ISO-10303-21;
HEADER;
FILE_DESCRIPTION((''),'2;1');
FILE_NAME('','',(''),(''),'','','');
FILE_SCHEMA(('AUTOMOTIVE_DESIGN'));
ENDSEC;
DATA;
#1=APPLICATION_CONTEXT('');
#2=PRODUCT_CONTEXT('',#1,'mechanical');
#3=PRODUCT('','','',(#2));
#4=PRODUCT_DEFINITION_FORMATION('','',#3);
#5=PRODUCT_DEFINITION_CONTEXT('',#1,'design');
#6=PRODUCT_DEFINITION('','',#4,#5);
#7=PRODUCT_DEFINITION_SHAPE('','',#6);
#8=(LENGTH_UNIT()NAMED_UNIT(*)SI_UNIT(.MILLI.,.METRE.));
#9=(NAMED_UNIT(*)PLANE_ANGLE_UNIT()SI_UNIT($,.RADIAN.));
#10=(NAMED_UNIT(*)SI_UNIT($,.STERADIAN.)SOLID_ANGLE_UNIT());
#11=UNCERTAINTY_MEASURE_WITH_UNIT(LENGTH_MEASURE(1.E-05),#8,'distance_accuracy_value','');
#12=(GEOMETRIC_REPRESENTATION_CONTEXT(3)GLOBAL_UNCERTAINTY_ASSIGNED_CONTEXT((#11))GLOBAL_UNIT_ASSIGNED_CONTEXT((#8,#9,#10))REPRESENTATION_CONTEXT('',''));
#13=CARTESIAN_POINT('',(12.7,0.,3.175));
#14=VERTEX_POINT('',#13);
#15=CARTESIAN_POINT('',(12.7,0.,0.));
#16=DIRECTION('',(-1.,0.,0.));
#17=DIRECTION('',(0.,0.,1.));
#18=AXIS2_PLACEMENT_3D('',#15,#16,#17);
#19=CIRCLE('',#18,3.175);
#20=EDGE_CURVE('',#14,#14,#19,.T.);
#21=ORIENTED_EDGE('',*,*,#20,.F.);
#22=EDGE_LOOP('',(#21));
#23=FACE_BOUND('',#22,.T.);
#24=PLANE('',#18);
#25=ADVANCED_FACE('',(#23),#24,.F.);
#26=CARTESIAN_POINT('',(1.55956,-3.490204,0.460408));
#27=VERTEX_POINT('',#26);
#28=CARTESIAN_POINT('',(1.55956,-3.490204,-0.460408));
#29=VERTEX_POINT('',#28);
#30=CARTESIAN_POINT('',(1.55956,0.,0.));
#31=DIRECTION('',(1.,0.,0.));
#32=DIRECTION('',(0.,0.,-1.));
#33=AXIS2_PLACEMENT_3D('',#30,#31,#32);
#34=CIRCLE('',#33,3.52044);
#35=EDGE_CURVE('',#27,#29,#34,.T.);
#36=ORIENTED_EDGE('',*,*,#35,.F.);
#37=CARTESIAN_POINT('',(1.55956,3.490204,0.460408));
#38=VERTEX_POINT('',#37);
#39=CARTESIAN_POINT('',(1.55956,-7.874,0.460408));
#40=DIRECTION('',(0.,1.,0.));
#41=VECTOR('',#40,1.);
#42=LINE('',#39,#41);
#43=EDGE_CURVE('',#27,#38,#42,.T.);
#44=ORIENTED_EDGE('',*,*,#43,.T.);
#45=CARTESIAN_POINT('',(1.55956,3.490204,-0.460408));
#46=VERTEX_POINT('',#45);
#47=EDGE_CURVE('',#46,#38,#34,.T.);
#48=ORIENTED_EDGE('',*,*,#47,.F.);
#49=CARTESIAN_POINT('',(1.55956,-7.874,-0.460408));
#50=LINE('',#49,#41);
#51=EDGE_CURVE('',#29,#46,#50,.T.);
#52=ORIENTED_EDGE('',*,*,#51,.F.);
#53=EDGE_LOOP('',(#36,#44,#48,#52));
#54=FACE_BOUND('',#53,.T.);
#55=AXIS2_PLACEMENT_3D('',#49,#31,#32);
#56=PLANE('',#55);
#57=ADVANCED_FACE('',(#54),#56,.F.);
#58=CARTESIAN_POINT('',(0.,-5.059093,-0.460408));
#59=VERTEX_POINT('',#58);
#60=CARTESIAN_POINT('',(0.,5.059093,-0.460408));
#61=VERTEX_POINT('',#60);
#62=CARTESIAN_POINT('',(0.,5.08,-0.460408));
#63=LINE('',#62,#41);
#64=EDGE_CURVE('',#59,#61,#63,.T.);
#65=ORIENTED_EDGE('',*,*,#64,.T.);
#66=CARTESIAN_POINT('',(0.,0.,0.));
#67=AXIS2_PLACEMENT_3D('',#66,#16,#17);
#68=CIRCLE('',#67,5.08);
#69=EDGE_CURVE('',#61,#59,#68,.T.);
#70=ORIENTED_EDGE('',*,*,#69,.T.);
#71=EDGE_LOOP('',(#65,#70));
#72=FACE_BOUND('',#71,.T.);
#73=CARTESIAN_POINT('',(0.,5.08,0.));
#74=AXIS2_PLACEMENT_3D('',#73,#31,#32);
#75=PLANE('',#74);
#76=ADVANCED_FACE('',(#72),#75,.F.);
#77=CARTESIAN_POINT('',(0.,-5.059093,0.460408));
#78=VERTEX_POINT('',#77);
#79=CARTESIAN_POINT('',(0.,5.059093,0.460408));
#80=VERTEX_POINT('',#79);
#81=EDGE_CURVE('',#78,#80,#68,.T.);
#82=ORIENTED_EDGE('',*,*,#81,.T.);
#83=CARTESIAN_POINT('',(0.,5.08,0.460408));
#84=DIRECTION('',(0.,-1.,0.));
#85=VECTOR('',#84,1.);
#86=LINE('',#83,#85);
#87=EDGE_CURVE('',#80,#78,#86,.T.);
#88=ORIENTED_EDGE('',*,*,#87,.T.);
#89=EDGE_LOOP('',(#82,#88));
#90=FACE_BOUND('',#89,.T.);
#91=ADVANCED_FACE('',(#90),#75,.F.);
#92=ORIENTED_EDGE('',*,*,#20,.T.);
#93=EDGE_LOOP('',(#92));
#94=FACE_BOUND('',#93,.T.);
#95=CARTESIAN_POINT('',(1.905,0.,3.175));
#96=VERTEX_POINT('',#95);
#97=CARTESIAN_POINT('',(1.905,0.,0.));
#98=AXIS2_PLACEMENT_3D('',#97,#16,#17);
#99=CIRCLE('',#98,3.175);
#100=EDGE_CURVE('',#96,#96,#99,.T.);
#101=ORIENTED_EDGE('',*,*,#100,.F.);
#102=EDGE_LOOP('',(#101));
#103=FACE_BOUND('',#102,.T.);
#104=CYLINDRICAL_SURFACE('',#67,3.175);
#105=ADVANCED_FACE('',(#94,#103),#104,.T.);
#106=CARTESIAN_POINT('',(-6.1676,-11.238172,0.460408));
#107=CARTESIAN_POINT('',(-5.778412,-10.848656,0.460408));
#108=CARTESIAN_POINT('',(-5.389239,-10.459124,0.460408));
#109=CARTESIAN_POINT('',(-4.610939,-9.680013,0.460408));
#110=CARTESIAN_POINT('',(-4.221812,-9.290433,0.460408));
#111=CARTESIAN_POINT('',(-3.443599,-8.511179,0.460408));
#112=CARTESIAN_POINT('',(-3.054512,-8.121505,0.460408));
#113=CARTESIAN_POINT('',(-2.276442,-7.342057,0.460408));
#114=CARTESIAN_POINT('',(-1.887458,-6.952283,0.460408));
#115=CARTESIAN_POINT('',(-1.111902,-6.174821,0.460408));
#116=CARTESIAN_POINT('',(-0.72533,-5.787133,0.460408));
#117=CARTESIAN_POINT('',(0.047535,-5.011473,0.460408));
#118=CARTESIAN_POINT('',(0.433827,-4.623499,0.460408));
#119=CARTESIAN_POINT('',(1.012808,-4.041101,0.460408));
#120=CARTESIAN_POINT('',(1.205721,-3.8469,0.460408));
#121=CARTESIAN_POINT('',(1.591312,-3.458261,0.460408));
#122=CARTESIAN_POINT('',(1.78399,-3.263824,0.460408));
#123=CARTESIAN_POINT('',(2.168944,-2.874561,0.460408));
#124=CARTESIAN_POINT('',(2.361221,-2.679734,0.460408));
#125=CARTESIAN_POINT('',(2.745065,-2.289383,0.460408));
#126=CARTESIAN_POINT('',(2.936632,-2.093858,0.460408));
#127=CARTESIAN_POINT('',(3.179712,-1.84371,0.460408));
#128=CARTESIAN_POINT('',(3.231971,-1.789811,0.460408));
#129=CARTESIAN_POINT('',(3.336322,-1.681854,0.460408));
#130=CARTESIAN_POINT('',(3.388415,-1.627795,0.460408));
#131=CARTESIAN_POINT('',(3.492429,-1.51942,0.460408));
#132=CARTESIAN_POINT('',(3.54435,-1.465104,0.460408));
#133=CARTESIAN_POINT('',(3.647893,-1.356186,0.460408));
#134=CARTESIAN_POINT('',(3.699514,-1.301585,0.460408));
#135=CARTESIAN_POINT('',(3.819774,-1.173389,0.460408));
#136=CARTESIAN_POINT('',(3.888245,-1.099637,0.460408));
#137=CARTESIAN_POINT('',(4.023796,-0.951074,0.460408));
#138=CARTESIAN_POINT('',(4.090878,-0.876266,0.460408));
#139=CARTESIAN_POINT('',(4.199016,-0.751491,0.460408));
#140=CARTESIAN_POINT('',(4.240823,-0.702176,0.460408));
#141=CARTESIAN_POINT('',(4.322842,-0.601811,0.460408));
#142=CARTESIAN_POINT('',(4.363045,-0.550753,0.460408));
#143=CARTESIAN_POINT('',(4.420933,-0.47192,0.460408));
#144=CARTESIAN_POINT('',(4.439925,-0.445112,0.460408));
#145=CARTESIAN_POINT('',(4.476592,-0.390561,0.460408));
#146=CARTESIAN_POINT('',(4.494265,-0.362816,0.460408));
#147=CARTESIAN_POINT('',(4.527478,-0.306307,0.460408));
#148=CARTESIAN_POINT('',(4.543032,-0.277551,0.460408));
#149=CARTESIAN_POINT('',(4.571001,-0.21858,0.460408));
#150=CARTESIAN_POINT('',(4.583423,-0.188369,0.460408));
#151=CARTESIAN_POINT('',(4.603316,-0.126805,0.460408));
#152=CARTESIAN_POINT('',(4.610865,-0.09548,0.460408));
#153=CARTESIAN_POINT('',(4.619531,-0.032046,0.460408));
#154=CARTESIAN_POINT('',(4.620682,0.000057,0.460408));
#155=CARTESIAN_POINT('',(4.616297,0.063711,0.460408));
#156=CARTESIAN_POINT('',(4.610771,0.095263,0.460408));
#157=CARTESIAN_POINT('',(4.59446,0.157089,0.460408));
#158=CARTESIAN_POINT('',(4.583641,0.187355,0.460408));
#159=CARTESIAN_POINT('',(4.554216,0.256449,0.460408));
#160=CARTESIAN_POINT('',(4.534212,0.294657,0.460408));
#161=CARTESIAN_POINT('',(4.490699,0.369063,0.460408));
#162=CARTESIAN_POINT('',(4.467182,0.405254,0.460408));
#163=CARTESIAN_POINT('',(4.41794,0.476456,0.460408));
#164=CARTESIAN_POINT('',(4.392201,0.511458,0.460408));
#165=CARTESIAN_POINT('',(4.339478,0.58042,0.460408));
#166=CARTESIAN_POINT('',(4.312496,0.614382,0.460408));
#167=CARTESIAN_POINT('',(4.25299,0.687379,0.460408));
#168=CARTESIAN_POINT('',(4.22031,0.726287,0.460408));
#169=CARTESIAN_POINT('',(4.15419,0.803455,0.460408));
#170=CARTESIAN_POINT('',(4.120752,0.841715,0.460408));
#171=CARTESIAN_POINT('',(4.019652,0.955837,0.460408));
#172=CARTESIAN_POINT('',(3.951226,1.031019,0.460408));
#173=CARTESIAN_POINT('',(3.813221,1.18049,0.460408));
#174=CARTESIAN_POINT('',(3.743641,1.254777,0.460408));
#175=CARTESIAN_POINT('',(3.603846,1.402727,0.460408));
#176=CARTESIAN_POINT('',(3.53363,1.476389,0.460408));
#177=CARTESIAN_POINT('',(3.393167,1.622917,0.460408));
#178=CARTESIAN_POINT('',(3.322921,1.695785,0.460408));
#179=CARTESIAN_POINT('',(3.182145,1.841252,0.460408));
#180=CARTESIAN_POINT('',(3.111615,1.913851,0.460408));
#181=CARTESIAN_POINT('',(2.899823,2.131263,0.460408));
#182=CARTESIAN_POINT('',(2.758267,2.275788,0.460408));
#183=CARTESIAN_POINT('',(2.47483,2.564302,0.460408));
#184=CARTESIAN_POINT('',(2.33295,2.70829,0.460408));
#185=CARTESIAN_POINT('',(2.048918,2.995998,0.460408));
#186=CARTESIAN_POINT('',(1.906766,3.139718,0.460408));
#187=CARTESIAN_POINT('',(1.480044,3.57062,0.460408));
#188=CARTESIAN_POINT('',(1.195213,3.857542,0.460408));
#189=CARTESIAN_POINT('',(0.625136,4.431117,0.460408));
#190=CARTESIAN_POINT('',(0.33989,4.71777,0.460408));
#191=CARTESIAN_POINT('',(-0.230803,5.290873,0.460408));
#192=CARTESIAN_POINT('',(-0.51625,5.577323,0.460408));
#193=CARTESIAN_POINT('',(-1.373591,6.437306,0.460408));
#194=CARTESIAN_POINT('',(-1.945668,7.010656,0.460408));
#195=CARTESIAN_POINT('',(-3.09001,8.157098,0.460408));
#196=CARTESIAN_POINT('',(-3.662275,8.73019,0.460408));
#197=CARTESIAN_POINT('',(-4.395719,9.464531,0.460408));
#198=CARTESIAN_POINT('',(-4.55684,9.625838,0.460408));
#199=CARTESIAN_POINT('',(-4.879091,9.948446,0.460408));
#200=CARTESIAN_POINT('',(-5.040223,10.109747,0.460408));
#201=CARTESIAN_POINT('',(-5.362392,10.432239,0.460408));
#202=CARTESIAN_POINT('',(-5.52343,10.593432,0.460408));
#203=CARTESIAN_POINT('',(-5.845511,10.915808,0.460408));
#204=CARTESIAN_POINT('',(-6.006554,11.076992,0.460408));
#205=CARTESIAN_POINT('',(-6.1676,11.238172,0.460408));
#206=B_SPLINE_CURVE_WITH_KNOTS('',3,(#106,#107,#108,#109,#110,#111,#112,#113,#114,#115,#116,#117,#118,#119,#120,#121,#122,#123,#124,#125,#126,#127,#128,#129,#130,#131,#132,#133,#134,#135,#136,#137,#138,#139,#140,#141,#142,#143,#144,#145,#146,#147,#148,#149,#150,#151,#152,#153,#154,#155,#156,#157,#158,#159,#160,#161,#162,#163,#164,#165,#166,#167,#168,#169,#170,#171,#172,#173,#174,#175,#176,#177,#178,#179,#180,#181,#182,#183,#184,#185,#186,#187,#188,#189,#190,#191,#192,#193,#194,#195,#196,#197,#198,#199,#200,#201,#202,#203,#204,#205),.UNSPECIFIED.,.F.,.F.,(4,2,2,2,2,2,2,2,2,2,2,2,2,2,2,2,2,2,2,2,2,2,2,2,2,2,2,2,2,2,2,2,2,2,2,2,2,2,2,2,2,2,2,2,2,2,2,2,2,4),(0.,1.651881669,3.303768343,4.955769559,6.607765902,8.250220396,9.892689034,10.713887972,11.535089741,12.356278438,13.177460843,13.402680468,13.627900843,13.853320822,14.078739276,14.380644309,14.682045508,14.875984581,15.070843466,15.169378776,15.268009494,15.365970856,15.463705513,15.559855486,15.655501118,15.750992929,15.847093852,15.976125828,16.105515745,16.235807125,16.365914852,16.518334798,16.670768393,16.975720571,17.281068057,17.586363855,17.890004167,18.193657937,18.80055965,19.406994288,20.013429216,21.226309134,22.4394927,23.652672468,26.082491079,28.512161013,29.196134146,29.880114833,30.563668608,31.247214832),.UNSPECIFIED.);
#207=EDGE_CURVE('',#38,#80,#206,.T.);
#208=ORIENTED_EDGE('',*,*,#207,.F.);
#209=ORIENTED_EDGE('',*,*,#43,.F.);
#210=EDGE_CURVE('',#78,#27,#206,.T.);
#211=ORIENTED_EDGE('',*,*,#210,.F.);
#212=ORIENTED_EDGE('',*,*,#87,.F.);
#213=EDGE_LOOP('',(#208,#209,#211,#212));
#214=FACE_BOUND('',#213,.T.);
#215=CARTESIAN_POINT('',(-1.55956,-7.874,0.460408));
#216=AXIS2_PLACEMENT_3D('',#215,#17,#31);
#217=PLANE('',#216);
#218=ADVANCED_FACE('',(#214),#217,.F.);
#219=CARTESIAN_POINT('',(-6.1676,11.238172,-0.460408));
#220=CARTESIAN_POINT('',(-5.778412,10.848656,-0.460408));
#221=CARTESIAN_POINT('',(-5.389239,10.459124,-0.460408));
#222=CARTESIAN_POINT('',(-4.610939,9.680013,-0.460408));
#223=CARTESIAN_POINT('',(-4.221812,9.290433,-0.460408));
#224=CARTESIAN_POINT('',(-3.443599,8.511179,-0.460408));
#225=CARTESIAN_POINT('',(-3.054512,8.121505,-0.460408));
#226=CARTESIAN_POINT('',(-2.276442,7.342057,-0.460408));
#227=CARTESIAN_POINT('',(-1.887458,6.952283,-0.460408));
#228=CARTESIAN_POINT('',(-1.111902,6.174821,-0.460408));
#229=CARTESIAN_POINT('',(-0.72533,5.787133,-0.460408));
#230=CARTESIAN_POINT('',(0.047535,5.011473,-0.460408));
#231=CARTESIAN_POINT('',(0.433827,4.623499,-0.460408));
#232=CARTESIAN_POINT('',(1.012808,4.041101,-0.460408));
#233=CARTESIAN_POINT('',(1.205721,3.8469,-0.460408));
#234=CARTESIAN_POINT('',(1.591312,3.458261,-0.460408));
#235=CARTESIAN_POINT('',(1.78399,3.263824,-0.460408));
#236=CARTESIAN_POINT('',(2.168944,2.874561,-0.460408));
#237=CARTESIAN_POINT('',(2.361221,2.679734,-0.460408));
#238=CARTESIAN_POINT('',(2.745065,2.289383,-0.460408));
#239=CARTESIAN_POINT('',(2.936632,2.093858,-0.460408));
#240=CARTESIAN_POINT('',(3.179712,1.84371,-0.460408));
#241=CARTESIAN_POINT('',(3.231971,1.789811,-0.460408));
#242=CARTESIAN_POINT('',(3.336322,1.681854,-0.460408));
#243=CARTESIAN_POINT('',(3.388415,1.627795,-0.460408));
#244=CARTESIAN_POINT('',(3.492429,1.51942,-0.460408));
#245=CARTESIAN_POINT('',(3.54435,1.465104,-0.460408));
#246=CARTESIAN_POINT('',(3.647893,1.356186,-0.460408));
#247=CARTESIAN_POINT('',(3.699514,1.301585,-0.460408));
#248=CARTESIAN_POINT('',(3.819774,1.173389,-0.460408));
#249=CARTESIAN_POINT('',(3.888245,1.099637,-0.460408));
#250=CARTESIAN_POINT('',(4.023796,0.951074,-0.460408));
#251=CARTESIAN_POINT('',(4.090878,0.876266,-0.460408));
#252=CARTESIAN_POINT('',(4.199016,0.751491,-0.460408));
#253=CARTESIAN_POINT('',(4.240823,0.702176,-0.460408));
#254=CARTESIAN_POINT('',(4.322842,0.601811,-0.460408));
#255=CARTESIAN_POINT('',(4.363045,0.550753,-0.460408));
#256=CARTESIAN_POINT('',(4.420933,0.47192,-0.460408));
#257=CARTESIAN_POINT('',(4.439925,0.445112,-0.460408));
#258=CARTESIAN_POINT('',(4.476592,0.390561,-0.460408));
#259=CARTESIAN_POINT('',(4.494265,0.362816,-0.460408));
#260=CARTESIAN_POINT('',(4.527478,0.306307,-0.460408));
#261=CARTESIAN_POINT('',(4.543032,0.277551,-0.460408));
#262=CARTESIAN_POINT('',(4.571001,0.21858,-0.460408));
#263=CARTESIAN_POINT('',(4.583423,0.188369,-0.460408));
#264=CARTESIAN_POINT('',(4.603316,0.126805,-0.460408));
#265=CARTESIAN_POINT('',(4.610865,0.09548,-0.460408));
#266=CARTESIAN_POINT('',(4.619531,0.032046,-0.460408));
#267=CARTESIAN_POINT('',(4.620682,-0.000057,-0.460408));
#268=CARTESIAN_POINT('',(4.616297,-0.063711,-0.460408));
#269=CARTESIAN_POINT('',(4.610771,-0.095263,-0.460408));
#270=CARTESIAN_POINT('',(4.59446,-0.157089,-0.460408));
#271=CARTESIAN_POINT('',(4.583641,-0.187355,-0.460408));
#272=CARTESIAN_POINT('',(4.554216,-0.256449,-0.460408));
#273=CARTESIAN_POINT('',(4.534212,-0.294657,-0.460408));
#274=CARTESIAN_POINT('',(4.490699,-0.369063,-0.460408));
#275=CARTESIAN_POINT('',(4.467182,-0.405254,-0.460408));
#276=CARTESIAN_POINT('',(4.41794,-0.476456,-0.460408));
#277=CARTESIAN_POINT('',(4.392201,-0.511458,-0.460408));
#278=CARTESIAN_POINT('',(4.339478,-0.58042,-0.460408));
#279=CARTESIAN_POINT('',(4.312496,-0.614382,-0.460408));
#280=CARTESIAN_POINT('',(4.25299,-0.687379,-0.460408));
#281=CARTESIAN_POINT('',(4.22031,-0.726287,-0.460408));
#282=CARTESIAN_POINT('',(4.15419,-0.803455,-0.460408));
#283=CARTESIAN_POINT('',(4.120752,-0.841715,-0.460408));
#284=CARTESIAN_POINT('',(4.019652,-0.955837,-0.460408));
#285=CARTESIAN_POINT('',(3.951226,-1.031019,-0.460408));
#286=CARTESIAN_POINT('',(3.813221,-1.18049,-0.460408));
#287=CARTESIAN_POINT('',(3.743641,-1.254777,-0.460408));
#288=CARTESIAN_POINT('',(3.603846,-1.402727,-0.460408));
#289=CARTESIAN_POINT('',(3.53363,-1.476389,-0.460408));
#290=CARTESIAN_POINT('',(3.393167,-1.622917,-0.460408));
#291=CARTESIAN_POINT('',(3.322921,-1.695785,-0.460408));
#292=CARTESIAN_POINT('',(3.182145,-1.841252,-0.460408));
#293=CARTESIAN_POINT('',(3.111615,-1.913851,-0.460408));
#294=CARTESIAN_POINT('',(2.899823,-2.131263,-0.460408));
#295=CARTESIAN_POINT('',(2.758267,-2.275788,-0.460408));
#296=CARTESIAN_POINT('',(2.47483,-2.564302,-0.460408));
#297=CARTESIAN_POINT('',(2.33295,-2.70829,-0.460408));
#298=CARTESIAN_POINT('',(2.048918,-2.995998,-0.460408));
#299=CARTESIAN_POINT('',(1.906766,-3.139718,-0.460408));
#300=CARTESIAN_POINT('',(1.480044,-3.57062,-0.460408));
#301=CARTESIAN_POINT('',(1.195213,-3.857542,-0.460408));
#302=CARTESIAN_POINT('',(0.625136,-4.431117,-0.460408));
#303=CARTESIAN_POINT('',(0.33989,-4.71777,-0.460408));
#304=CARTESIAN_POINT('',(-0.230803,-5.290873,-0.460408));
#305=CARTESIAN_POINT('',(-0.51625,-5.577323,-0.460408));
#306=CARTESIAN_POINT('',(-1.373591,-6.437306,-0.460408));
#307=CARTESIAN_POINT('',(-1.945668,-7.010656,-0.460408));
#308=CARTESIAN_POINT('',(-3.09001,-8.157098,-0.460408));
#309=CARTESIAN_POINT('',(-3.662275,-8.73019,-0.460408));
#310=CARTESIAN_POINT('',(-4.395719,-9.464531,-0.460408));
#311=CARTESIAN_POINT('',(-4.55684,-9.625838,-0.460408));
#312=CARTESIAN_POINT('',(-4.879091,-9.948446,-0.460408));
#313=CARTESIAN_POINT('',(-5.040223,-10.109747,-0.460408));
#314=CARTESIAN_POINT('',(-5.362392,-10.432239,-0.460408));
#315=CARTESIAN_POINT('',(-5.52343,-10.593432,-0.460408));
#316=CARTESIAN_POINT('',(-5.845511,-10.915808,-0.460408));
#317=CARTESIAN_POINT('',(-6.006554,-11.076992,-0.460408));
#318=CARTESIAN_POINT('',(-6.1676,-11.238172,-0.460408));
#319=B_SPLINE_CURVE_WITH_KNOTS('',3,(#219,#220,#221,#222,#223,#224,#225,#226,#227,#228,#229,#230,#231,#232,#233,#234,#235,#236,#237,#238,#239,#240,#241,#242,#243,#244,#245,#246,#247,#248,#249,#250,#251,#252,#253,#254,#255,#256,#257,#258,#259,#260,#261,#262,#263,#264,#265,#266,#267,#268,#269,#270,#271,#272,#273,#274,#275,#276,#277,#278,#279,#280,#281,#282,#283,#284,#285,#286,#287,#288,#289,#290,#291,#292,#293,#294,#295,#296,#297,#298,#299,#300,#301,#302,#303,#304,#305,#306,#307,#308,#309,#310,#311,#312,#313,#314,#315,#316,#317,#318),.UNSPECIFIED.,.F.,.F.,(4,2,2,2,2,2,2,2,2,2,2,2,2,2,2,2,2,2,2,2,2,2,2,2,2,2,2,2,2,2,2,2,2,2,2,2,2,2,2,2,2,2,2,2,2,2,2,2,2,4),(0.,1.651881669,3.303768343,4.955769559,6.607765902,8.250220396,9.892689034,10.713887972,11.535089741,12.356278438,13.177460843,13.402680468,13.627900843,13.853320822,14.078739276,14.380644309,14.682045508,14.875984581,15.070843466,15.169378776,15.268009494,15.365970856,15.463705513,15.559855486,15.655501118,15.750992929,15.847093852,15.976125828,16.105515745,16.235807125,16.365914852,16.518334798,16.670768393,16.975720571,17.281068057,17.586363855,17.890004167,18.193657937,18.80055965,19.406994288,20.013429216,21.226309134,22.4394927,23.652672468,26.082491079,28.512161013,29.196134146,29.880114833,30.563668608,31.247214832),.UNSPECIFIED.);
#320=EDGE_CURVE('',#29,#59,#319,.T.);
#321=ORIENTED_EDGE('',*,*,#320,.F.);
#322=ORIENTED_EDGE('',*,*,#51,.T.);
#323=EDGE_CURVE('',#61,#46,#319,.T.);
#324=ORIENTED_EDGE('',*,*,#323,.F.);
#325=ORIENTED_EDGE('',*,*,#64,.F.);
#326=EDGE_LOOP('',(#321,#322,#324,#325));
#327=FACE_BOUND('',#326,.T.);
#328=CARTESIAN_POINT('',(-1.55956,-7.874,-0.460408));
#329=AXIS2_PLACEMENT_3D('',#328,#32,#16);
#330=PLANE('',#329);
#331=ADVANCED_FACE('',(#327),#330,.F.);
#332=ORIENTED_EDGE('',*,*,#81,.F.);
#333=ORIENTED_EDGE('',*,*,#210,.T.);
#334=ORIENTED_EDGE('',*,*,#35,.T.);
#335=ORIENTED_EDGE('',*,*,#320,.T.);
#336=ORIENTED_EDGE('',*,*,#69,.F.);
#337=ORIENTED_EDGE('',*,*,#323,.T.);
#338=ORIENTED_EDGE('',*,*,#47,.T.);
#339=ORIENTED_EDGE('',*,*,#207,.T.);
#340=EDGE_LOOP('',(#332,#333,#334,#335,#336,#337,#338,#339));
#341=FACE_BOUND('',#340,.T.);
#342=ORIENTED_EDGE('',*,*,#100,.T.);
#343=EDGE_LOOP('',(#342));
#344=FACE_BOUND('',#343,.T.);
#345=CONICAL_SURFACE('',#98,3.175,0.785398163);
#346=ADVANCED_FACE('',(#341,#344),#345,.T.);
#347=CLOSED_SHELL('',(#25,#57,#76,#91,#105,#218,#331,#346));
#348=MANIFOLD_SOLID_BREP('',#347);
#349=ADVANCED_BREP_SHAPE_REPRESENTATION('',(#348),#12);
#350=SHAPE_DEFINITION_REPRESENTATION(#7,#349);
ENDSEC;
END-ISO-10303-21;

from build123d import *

# Parameters (mm, degrees)
SKETCH2_W          = 3.119119432
SKETCH2_H          = 0.920816202
CUT_EXTRUDE1_DEPTH = 7.874


with BuildPart() as part:
    # Sketch1 → Revolve1 (revolve)
    with BuildSketch(Plane.XY, mode=Mode.PRIVATE) as revolve1_sk:
        Polygon((0, 0), (12.7, 0), (12.7, 3.175), (1.905, 3.175), (0, 5.08), align=None)
    revolve(revolve1_sk.sketch.rotate(Axis((0, 0, 0), (1, 0, 0)), 90), axis=Axis((0, 0, 0), (1, 0, 0)))

    # Sketch2 → Cut-Extrude1 (cut, symmetric)
    with BuildSketch(Plane(origin=(0, 0, 0), x_dir=(1, 0, 0), z_dir=(0, 1, 0))):
        Rectangle(SKETCH2_W, SKETCH2_H)
    extrude(amount=CUT_EXTRUDE1_DEPTH, both=True, mode=Mode.SUBTRACT)


solid = part.part
